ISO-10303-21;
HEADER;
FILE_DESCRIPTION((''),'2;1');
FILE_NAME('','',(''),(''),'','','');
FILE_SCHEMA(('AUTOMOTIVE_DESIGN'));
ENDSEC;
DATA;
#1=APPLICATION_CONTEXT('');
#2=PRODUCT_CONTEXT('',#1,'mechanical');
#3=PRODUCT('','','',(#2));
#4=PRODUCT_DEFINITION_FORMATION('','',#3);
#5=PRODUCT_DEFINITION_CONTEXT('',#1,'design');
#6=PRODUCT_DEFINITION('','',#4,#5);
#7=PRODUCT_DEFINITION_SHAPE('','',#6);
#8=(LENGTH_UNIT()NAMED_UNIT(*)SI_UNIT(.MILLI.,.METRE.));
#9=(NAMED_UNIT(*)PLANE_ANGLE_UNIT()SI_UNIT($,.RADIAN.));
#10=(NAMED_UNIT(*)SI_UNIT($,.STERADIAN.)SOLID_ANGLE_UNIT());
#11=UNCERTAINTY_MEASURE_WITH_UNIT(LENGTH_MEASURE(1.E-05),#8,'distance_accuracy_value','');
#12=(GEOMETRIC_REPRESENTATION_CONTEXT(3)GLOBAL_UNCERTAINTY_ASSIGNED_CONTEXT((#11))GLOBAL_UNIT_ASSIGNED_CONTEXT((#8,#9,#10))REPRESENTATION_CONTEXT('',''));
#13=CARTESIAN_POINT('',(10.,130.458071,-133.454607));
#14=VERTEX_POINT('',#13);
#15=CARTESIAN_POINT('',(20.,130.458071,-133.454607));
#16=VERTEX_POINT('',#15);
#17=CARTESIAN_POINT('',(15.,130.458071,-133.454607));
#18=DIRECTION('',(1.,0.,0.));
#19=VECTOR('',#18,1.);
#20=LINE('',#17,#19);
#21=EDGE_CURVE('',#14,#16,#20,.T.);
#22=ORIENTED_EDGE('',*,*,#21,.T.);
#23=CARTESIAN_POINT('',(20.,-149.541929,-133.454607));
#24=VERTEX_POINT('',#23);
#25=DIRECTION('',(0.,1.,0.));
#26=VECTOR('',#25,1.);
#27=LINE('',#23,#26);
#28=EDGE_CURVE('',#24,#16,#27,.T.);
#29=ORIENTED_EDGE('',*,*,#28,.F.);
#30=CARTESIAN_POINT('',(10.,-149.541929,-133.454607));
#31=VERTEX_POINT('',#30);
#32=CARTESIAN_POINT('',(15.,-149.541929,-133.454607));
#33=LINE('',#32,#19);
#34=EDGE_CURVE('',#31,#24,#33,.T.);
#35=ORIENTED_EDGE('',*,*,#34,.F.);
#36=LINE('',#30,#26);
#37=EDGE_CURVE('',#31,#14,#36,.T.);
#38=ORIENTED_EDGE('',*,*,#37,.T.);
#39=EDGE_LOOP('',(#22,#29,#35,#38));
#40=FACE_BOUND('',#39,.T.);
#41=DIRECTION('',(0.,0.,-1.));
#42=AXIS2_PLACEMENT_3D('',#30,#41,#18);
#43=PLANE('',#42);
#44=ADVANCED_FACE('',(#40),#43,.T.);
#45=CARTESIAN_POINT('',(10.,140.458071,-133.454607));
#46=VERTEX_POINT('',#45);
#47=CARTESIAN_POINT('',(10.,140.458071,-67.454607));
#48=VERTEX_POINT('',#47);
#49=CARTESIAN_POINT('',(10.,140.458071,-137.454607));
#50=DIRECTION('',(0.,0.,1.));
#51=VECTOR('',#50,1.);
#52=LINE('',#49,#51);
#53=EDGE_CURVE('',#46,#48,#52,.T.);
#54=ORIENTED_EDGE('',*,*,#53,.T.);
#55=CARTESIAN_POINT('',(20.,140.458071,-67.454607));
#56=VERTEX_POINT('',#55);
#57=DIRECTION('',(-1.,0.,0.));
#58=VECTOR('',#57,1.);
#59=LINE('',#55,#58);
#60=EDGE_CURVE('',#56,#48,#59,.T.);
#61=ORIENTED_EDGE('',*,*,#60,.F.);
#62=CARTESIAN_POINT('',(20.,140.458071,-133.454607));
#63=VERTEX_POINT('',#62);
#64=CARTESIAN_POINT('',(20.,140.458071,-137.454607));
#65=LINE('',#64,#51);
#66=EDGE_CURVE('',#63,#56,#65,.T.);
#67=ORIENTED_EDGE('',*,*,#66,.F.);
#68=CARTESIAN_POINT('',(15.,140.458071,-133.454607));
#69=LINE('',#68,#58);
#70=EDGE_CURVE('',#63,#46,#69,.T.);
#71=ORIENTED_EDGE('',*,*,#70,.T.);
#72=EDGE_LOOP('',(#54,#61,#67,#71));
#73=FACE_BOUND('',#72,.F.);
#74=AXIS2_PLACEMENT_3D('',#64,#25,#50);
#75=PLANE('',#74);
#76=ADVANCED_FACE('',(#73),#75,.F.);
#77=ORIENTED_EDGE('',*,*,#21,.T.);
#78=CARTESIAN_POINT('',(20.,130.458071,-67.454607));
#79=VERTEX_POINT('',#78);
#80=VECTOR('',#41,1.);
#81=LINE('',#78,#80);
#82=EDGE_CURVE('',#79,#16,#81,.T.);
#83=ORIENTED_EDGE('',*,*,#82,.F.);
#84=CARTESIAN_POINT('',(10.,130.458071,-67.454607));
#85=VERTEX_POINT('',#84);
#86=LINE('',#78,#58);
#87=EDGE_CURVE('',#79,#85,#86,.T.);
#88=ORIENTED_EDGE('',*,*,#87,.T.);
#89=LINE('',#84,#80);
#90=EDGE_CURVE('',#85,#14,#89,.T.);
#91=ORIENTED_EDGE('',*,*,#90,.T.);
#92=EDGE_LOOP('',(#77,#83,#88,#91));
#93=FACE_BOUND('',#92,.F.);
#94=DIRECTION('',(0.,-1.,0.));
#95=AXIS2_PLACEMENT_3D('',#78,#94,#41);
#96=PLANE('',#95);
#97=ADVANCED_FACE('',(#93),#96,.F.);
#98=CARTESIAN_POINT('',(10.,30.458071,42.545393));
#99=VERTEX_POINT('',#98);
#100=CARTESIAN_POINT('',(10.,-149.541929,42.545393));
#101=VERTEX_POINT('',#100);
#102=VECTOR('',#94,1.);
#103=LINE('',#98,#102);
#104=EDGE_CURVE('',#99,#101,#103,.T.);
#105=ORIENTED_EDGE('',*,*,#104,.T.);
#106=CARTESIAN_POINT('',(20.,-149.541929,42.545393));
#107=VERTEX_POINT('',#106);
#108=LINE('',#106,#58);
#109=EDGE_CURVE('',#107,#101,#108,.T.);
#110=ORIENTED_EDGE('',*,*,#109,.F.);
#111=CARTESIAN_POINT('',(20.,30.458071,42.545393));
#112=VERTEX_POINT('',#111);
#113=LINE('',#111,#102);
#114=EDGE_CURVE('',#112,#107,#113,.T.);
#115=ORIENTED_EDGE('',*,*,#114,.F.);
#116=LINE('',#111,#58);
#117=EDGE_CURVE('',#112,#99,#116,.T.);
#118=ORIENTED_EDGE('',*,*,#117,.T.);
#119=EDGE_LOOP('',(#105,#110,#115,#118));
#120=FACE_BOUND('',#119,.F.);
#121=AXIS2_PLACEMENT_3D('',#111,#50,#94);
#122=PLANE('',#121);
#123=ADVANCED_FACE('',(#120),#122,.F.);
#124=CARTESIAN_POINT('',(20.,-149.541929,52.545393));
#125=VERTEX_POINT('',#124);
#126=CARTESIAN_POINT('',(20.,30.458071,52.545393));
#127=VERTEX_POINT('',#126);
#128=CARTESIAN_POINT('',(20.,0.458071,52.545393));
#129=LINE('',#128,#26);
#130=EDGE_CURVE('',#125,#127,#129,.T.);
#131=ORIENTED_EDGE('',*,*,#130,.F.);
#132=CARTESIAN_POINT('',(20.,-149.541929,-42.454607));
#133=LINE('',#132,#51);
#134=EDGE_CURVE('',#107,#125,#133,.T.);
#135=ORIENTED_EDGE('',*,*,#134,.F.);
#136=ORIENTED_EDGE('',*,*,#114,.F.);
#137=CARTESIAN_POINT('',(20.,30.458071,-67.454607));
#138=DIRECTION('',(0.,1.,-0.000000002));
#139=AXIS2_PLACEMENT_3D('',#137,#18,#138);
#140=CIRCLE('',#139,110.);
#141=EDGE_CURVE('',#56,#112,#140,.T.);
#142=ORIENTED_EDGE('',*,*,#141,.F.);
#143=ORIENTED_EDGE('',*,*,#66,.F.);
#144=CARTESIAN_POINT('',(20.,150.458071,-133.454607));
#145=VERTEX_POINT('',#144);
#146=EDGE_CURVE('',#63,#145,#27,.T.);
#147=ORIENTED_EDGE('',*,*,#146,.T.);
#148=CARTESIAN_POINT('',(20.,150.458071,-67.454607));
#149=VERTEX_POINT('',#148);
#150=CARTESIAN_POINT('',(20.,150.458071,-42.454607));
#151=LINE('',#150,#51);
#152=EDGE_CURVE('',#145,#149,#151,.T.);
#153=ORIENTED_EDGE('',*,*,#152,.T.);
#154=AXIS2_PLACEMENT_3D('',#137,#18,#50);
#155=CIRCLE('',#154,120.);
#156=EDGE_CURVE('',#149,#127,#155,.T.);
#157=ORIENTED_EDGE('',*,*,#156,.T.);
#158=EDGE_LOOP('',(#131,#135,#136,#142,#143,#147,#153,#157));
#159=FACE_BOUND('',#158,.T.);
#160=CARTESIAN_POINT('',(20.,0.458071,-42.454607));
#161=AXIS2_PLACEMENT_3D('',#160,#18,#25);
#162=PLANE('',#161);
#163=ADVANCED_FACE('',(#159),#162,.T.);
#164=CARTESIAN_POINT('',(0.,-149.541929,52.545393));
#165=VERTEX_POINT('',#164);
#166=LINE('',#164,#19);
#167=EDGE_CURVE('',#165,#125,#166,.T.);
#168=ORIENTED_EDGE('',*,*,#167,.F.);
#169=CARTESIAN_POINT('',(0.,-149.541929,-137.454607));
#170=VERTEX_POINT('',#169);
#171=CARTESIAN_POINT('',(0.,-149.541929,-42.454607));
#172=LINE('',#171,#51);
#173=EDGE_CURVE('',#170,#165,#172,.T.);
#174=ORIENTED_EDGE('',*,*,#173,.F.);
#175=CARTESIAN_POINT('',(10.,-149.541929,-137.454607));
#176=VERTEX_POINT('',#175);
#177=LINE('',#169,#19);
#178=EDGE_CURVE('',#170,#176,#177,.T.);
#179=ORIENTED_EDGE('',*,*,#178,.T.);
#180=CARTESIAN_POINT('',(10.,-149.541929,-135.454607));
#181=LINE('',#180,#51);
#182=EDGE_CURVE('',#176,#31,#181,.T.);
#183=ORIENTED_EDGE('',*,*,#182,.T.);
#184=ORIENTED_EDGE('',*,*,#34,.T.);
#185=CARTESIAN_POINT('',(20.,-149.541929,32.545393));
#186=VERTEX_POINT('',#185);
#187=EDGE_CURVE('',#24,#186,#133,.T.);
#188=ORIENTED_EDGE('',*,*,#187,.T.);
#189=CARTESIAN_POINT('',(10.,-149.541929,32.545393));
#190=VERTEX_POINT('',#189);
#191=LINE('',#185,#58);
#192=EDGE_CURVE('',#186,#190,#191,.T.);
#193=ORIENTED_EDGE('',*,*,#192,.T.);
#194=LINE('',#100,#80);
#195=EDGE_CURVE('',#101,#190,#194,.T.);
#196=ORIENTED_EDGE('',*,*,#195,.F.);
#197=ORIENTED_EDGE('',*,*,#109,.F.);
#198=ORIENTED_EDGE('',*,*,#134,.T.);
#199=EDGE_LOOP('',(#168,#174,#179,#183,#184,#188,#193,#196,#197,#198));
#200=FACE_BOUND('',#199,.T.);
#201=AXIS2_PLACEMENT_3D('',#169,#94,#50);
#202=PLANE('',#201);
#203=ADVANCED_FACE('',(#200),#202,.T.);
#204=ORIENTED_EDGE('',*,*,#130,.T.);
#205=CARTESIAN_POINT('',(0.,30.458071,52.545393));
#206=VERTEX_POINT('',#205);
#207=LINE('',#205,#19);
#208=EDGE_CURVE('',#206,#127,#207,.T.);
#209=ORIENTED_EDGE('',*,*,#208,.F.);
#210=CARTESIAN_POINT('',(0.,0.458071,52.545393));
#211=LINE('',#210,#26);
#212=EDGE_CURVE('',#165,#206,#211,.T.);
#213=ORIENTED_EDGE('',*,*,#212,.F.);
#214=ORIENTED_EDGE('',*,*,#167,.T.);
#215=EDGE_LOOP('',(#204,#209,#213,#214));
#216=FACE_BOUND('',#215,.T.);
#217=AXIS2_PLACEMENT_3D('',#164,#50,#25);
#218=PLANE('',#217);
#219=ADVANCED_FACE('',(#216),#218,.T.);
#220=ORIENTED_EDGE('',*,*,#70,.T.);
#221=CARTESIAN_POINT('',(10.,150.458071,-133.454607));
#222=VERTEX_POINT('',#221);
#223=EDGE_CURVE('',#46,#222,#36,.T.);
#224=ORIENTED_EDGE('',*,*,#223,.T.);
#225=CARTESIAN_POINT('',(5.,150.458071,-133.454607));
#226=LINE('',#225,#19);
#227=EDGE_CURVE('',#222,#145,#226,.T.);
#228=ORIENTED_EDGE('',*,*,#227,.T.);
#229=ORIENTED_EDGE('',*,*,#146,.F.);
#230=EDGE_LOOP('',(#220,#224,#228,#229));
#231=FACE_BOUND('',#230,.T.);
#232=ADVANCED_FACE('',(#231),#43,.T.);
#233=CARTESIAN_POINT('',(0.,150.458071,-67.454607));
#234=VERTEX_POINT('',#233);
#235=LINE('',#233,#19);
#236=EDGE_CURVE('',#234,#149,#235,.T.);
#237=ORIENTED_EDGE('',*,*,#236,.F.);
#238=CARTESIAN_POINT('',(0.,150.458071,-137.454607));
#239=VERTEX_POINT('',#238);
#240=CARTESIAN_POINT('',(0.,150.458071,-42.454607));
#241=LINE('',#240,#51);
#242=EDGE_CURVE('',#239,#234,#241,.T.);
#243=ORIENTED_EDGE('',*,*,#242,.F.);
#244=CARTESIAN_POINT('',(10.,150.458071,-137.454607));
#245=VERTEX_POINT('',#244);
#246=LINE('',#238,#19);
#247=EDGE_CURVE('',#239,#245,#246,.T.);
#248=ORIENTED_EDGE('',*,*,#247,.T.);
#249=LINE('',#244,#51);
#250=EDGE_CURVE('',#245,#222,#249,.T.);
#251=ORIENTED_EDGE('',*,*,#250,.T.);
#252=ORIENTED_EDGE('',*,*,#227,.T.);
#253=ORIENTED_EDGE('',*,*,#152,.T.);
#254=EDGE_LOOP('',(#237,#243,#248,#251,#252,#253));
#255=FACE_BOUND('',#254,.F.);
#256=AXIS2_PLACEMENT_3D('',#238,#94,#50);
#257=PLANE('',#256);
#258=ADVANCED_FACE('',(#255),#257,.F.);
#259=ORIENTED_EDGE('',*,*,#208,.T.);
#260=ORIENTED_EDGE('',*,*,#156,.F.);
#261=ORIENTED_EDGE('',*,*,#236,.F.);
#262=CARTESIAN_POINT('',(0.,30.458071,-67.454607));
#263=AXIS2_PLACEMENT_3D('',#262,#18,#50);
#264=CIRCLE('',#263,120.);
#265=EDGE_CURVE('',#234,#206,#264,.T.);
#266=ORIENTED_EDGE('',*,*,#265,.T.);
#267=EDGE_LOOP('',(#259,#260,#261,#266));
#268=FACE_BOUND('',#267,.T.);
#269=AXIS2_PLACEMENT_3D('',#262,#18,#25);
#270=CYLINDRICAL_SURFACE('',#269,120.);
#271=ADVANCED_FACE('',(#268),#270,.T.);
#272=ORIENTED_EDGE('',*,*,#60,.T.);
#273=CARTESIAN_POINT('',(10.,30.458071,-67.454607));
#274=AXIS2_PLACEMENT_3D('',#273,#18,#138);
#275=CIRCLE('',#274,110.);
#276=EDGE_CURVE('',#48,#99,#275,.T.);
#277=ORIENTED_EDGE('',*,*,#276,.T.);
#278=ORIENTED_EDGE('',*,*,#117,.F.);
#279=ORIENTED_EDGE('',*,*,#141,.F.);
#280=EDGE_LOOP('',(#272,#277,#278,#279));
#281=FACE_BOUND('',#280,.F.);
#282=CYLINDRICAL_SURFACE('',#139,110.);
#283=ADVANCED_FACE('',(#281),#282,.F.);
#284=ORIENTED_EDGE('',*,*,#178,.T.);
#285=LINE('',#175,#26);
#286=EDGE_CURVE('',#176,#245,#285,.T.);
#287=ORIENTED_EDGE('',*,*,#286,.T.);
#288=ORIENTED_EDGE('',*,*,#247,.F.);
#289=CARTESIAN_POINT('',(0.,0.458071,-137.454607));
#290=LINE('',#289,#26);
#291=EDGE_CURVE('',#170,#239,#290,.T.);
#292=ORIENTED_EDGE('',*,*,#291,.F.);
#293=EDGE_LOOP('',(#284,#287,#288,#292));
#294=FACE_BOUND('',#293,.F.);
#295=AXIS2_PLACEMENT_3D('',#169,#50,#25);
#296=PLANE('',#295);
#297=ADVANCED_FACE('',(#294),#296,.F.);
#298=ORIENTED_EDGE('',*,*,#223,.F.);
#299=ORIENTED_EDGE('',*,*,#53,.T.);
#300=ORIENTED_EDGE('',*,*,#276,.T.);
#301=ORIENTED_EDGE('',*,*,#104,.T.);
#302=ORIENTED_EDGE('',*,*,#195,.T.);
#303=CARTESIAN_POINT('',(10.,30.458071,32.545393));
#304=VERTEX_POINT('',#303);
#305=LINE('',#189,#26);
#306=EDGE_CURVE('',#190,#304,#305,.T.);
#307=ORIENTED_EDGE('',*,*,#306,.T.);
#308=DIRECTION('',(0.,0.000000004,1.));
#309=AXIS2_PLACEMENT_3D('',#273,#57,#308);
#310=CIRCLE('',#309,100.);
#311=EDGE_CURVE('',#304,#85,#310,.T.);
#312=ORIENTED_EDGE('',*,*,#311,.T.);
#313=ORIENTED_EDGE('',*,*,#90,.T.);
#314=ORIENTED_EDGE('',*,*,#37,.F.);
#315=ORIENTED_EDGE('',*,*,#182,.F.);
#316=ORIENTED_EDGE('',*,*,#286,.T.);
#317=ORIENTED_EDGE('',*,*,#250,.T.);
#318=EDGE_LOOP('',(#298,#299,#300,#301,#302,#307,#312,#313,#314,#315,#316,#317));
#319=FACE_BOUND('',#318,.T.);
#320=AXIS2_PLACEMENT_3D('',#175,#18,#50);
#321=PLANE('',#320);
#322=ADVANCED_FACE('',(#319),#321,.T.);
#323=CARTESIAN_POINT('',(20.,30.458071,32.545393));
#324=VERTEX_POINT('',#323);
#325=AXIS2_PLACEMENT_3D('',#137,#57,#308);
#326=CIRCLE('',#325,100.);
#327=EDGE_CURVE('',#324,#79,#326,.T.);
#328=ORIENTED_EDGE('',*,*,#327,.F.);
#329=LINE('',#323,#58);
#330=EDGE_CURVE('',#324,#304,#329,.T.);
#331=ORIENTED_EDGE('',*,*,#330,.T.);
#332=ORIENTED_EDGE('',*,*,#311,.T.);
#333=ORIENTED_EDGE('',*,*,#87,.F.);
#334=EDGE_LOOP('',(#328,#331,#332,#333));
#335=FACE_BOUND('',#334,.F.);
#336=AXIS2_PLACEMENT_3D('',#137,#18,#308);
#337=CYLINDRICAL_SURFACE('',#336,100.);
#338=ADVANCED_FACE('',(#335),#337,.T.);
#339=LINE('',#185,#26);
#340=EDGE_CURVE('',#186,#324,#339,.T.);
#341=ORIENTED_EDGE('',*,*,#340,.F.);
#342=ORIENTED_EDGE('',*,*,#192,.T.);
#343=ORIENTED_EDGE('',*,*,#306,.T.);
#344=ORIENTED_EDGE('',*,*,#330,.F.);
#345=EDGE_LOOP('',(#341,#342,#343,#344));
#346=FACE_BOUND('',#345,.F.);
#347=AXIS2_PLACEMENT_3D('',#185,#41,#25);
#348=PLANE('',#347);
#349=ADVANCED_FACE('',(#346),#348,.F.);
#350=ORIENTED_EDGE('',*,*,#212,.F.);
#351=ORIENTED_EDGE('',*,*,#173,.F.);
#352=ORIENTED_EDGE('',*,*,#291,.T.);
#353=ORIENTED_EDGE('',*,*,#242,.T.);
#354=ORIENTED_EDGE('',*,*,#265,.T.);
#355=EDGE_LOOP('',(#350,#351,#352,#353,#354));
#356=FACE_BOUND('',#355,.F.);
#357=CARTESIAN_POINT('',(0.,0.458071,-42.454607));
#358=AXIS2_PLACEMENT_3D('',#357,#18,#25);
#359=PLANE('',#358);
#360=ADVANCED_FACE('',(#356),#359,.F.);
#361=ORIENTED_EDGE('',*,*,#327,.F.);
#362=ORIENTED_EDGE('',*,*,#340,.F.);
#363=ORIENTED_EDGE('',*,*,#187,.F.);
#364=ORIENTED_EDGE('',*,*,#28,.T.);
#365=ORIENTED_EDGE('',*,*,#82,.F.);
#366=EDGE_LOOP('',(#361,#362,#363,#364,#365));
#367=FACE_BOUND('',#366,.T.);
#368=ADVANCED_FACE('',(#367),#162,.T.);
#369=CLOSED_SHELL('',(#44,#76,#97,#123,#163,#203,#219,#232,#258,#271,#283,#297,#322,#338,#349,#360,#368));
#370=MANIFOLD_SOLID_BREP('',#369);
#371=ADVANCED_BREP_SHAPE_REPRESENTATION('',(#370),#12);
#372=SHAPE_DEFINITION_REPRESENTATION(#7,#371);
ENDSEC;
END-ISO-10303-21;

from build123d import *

# Parameters (mm, degrees)
F0_W     = 300
F0_H     = 190
F1_DEPTH = 20
F2_R     = 120
F4_DEPTH = 10
F5_W     = 10
F5_H     = 4
F6_DEPTH = 312


with BuildPart() as f1:
    # F0 (on Right) → F1 (new body)
    with BuildSketch(Plane.YZ):
        with Locations((0.458071, -42.454607)):
            Rectangle(F0_W, F0_H)
    extrude(amount=F1_DEPTH)

    # F2
    f2_edges = [f1.edges().sort_by_distance(p)[0] for p in [
        (10, 150.458071, 52.545393),
    ]]
    fillet(f2_edges, radius=F2_R)

    # F3 (on face) → F4 (cut)
    with BuildSketch(Plane.YZ.offset(20)):
        with BuildLine():
            Line((30.458071, 42.545393), (-149.541929, 42.545393))
            Line((-149.541929, 42.545393), (-149.541929, 32.545393))
            Line((-149.541929, 32.545393), (30.458071, 32.545393))
            ThreePointArc((30.458071, 32.545393), (101.168749, 3.256071), (130.458071, -67.454607))
            Line((130.458071, -67.454607), (130.458071, -137.454607))
            Line((130.458071, -137.454607), (140.458071, -137.454607))
            Line((140.458071, -137.454607), (140.458071, -67.454607))
            ThreePointArc((140.458071, -67.454607), (108.239817, 10.327139), (30.458071, 42.545393))
        make_face()
    extrude(amount=-F4_DEPTH, mode=Mode.SUBTRACT)

    # F5 (on face) → F6 (cut)
    with BuildSketch(Plane.XZ.offset(149.541929)):
        with Locations((15, -135.454607)):
            Rectangle(F5_W, F5_H)
    extrude(amount=-F6_DEPTH, mode=Mode.SUBTRACT)


solid = f1.part
